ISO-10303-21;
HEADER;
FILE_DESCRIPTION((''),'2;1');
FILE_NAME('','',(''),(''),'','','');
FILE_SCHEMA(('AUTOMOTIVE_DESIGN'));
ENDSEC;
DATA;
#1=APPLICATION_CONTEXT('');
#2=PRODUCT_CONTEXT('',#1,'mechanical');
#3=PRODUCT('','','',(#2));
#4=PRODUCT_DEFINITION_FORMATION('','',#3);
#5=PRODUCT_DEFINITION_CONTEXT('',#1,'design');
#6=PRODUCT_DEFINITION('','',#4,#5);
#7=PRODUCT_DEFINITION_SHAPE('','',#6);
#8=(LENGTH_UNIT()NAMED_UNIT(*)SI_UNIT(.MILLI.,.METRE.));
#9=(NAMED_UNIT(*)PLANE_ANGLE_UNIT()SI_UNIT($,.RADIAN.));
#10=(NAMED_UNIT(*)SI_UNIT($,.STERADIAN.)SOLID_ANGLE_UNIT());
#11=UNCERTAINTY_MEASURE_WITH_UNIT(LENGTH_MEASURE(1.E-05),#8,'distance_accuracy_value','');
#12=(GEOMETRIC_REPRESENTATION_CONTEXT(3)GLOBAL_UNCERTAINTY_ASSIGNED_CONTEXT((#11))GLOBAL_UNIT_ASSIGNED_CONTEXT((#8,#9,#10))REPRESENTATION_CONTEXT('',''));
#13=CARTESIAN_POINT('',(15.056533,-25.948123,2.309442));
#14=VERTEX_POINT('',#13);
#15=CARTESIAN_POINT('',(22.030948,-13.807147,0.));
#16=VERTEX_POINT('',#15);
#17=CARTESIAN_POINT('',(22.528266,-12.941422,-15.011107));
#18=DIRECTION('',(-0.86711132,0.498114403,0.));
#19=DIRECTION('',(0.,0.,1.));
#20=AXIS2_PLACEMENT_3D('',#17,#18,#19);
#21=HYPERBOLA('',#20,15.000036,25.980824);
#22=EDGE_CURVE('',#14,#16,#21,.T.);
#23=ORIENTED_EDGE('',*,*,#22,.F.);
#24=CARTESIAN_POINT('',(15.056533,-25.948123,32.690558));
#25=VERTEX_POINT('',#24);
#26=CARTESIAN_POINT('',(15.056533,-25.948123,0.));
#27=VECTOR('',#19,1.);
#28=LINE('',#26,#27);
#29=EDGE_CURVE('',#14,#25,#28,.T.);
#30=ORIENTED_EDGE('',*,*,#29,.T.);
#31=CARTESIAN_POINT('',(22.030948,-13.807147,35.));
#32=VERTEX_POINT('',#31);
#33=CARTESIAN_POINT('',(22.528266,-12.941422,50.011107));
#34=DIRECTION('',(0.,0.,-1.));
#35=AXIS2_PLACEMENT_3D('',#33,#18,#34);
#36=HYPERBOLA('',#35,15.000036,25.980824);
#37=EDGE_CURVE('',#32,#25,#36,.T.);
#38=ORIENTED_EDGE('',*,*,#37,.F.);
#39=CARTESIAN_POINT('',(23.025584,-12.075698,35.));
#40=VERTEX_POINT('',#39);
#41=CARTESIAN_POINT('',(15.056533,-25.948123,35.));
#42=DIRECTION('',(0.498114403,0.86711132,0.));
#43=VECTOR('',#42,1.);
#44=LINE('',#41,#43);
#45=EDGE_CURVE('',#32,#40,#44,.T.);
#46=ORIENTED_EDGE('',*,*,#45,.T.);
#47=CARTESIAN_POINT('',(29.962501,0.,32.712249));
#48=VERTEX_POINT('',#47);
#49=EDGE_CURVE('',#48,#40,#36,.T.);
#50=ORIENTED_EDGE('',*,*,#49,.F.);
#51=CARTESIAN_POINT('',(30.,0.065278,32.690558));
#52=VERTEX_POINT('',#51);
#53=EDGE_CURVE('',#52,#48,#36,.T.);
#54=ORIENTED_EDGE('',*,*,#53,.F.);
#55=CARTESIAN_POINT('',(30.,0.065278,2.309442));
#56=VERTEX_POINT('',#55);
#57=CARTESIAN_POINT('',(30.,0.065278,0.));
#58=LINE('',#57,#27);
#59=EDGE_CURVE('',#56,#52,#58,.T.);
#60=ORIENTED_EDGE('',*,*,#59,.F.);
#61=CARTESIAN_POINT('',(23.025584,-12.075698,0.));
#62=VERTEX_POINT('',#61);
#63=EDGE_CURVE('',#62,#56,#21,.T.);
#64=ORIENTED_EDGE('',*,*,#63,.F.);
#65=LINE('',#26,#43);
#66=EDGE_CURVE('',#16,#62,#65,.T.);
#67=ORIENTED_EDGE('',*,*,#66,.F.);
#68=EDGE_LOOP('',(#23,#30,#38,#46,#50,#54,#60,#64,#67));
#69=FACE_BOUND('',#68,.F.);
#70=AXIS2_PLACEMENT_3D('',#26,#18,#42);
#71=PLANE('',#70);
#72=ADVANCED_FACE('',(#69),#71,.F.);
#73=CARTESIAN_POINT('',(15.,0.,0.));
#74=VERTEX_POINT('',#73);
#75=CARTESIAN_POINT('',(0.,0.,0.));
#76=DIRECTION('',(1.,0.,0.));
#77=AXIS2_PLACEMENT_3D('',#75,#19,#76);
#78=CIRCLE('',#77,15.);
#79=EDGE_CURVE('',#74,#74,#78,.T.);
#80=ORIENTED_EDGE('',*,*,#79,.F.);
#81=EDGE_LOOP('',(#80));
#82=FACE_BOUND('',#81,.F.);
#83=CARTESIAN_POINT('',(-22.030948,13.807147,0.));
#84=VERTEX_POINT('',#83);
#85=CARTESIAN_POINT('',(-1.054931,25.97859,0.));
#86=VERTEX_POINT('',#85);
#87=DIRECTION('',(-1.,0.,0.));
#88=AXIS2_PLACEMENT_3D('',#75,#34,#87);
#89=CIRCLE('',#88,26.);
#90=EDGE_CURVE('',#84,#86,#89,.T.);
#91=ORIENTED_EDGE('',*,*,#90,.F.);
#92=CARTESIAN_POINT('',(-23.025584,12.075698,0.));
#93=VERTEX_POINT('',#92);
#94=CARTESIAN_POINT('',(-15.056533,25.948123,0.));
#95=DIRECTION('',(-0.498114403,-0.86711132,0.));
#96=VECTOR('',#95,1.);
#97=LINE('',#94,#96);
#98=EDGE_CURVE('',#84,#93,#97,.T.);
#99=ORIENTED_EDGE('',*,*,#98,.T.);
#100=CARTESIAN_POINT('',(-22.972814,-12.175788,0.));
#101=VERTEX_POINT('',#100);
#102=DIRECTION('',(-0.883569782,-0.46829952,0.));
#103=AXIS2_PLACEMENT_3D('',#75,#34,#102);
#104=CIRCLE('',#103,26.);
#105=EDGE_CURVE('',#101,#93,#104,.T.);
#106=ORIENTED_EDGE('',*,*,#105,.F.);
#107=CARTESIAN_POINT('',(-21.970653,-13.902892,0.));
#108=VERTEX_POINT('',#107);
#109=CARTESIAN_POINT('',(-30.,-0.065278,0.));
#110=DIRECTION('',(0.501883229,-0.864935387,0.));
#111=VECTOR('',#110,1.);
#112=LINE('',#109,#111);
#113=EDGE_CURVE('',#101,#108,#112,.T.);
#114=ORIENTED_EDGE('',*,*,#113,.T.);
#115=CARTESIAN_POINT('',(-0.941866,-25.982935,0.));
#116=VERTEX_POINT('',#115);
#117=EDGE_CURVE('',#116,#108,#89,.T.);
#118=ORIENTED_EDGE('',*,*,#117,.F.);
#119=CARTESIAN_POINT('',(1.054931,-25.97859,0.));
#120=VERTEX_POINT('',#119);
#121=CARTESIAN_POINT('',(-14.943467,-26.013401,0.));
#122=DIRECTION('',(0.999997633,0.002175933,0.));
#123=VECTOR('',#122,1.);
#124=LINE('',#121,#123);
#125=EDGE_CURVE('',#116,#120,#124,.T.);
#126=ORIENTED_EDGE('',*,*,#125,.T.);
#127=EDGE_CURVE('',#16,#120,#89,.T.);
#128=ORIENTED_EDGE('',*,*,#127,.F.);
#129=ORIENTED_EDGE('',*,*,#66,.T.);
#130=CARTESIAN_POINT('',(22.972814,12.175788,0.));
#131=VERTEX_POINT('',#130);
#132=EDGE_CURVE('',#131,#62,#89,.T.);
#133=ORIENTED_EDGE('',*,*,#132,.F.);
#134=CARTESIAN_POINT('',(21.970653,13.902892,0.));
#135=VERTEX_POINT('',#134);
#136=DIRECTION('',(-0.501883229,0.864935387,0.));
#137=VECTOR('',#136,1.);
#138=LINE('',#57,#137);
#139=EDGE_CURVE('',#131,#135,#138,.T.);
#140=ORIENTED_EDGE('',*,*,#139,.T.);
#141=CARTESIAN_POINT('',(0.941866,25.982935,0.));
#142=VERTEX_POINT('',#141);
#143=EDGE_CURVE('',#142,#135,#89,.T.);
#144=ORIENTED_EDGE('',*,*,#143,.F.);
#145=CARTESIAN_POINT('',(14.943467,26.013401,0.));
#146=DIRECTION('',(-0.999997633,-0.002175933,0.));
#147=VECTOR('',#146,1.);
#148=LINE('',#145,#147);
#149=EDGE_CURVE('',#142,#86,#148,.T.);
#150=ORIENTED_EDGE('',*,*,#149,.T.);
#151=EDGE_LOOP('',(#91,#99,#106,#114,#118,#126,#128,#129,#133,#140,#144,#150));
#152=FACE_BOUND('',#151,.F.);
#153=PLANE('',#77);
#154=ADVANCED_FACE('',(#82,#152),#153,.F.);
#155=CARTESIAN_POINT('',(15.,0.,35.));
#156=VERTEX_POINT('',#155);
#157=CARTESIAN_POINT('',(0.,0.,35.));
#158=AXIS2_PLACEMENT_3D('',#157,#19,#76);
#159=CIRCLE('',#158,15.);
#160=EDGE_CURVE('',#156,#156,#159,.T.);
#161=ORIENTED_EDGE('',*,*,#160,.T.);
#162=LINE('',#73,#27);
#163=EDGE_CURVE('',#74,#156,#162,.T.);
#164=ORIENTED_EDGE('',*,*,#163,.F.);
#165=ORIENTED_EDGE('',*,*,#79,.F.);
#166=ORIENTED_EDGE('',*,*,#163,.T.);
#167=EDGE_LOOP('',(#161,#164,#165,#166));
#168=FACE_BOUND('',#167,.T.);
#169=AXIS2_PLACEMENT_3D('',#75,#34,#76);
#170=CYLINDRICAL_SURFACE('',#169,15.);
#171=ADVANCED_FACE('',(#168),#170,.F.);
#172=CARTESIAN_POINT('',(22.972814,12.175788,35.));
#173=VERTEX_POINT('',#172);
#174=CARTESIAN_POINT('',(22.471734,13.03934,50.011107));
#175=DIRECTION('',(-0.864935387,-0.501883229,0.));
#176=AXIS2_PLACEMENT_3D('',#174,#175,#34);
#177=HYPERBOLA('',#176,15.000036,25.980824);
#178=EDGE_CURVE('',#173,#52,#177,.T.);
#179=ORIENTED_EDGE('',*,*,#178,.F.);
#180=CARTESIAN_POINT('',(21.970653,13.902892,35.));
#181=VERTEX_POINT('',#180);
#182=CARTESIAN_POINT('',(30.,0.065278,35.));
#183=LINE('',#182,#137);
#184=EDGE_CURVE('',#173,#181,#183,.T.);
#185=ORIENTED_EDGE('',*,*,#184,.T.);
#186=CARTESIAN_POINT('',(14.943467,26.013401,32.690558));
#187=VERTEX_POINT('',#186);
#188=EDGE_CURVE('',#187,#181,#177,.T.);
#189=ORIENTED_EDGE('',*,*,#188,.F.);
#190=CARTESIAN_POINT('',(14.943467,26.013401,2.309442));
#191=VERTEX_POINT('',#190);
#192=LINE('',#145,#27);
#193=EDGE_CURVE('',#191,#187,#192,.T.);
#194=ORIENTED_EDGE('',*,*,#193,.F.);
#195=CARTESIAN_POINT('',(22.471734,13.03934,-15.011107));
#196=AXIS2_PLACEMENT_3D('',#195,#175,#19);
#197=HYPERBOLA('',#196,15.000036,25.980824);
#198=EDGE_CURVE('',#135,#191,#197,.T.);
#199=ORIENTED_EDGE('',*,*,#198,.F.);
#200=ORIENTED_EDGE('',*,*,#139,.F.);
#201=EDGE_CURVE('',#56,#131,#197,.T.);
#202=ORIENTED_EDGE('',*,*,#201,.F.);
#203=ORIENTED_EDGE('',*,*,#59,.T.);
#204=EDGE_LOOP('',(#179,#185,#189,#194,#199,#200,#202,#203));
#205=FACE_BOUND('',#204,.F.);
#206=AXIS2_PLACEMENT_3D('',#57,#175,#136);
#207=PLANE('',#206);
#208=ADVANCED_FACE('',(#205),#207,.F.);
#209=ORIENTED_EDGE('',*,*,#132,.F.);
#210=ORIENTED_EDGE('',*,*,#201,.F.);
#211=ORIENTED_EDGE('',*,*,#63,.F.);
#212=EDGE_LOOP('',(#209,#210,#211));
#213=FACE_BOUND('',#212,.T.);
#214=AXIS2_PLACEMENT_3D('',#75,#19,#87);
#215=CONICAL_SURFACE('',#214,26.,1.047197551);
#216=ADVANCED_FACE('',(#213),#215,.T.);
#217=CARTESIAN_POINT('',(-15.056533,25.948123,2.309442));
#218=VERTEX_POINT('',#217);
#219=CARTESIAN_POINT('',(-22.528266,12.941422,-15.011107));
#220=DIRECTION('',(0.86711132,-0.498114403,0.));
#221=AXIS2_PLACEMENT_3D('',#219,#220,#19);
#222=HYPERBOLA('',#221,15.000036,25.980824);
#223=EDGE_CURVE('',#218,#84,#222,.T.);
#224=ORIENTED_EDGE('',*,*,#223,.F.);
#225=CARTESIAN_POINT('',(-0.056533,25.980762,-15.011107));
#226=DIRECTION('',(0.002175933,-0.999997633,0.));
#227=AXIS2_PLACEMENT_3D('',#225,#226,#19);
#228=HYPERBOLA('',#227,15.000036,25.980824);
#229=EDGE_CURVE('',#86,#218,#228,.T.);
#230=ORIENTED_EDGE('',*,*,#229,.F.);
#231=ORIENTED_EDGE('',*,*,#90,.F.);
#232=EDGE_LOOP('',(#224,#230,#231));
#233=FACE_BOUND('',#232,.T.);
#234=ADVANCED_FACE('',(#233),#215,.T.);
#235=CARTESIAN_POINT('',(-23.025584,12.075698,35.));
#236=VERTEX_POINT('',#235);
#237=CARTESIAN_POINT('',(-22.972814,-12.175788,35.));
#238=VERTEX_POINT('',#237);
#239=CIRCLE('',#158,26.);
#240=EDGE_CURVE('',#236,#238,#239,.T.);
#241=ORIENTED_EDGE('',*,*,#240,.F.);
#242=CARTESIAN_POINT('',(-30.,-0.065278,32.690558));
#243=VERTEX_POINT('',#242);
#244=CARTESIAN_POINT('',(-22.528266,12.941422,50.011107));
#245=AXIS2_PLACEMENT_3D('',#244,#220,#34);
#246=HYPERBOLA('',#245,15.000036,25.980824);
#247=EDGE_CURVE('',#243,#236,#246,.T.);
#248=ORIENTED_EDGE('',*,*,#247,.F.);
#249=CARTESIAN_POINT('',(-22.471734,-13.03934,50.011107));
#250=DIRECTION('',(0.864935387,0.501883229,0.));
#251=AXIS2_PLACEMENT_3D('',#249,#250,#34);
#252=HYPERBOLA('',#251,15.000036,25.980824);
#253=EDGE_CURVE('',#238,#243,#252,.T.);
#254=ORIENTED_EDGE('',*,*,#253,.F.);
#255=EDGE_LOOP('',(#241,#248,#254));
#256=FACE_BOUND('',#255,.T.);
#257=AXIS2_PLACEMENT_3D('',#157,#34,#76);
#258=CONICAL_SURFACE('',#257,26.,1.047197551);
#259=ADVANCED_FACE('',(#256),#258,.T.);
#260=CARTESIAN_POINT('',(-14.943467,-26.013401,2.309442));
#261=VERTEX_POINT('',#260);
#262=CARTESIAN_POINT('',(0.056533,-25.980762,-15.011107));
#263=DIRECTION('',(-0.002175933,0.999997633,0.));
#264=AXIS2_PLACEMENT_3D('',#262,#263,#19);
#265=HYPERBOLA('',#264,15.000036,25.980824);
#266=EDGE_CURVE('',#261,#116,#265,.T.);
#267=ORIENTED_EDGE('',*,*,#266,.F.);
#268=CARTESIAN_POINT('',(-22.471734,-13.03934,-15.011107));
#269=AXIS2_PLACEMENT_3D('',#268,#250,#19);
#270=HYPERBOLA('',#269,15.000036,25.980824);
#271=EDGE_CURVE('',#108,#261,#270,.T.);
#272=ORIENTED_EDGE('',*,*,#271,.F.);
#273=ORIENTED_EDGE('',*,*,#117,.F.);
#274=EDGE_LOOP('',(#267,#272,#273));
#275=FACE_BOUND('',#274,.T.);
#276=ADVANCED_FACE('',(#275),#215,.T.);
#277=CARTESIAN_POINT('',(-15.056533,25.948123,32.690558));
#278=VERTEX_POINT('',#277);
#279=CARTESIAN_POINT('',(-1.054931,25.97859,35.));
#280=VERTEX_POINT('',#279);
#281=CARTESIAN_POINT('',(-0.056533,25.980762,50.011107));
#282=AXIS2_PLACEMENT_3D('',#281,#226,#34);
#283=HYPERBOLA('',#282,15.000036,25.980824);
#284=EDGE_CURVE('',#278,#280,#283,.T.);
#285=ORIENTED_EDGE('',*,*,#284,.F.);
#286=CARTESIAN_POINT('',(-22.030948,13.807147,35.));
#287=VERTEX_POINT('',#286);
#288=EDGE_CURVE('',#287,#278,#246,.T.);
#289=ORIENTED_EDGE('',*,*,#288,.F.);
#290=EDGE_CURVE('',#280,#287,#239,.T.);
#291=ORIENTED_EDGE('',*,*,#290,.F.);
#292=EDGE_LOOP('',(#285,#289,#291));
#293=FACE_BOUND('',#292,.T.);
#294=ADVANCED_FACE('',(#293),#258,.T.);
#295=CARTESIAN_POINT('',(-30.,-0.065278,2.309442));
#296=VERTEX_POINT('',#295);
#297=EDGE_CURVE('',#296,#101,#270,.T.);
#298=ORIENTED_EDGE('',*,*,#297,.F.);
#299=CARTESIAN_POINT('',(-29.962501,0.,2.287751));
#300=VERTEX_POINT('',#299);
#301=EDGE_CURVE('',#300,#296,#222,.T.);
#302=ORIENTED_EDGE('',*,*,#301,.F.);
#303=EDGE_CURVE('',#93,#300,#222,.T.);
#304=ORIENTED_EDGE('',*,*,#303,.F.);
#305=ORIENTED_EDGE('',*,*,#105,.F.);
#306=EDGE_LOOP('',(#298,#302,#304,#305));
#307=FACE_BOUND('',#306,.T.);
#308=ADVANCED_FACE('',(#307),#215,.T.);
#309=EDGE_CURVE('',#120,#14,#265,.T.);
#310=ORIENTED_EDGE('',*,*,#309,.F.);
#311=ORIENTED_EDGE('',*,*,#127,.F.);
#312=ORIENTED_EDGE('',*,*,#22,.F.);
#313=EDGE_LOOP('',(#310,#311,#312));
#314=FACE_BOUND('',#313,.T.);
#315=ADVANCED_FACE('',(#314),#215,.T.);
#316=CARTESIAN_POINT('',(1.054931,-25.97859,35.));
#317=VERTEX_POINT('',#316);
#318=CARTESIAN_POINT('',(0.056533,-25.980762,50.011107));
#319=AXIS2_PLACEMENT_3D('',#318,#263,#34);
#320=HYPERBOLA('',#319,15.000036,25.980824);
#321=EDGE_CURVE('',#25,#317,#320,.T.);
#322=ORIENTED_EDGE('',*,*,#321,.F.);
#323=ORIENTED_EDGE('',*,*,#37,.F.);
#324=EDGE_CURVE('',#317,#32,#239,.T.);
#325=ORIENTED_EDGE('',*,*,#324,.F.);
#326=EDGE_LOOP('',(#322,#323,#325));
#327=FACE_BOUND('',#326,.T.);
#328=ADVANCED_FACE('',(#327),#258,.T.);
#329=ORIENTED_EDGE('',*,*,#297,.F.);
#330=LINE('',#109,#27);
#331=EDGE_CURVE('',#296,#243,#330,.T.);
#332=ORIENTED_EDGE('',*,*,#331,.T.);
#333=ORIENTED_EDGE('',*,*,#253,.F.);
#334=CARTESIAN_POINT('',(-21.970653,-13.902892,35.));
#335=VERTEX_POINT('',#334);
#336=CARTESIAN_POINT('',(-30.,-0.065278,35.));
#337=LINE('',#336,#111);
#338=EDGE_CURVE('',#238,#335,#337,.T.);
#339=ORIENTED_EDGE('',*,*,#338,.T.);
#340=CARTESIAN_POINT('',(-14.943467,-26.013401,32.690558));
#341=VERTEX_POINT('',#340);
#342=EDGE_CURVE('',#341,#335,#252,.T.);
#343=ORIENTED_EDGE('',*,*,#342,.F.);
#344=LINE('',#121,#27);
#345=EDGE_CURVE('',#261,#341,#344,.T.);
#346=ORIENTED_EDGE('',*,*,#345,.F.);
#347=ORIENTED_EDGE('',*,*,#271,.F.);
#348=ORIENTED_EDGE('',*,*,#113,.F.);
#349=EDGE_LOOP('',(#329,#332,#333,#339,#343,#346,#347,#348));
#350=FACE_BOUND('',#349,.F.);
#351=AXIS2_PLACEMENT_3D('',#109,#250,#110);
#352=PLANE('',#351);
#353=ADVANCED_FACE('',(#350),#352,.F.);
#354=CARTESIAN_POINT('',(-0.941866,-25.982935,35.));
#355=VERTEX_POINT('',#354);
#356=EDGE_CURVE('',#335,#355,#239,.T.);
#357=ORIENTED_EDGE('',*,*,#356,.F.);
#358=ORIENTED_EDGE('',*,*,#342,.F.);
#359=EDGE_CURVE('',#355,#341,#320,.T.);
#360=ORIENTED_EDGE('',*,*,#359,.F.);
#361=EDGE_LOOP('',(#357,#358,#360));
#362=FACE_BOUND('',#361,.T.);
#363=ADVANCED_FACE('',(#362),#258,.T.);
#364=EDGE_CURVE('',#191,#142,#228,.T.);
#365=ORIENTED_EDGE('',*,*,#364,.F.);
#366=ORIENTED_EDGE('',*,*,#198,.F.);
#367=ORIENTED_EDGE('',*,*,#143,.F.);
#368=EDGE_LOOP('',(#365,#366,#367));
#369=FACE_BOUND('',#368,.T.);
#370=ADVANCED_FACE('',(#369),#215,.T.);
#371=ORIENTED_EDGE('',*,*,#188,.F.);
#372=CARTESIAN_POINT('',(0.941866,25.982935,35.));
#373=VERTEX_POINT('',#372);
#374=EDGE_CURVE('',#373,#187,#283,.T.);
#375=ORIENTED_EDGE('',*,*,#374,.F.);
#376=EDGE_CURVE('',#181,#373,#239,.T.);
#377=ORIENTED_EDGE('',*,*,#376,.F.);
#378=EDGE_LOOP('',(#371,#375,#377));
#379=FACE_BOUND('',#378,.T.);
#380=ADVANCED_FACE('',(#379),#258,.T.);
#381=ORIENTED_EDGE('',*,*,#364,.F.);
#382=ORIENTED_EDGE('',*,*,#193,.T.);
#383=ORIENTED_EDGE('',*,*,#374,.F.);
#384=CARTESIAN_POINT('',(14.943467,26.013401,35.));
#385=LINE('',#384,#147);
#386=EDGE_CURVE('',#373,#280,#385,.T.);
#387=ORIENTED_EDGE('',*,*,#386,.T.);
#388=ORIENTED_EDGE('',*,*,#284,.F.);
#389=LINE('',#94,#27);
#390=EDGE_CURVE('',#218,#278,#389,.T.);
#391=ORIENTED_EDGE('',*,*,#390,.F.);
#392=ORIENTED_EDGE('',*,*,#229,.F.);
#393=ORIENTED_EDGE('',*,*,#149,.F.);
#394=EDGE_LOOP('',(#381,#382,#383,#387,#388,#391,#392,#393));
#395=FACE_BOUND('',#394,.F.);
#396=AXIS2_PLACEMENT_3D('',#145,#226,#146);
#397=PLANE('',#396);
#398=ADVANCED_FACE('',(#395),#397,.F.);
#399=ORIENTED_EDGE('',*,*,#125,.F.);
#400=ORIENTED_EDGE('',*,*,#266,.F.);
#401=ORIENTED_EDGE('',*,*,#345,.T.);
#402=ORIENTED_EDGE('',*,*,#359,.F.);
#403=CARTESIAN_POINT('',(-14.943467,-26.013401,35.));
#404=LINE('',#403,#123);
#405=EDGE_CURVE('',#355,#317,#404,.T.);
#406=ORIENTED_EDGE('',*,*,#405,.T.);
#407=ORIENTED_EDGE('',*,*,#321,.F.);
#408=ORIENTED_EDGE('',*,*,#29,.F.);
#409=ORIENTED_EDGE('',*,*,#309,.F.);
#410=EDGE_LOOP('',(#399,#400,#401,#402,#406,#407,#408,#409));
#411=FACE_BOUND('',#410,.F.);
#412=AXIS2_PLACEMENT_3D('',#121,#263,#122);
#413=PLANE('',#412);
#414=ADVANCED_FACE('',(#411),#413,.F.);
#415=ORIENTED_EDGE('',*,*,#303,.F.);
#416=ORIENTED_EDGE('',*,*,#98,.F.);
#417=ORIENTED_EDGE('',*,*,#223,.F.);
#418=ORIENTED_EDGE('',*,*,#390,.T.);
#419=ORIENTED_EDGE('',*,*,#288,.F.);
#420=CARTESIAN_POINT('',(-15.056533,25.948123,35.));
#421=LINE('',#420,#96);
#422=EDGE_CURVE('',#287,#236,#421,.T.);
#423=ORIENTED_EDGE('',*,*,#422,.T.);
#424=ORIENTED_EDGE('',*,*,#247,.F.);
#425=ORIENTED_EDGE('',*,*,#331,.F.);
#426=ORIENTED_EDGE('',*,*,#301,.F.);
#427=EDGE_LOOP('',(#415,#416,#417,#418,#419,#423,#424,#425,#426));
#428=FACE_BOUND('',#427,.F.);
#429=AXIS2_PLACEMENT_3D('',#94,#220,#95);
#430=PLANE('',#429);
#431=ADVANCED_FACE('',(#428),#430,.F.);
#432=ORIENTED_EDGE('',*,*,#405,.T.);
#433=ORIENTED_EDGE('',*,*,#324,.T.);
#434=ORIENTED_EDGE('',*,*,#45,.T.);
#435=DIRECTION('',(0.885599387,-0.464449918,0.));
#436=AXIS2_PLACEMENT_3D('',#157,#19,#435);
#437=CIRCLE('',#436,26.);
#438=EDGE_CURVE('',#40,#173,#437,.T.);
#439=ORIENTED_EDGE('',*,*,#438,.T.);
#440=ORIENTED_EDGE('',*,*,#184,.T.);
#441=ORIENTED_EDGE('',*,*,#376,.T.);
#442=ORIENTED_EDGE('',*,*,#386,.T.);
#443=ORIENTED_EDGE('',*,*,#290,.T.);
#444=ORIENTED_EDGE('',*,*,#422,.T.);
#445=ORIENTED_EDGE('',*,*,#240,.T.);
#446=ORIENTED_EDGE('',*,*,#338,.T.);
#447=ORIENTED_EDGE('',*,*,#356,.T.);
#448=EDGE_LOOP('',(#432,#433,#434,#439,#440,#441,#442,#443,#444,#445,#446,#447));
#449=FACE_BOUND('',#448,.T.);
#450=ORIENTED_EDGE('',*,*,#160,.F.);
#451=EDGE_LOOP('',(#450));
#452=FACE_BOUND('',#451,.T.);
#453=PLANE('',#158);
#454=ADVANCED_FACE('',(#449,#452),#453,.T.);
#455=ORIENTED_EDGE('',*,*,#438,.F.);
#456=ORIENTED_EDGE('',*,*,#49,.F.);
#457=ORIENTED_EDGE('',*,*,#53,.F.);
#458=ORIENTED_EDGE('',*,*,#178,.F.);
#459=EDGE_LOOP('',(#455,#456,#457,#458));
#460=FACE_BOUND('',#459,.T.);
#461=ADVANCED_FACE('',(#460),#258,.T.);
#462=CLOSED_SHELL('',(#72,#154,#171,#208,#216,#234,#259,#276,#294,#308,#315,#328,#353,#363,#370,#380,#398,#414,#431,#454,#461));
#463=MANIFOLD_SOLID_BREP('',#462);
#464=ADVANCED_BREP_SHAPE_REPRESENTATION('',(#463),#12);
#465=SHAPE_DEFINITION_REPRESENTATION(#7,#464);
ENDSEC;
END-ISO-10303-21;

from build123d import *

# Parameters (mm, degrees)
SKETCH1_R           = 15
BOSS_EXTRUDE1_DEPTH = 35
SKETCH3_OUTSIDE_W   = 200.6
SKETCH3_OUTSIDE_H   = 192.626
SKETCH3_OUTSIDE_R   = 26
CUT_EXTRUDE1_DEPTH  = 35
CUT_EXTRUDE1_DRAFT  = -60
SKETCH4_OUTSIDE_W   = 200.6
SKETCH4_OUTSIDE_H   = 192.626
SKETCH4_OUTSIDE_R   = 26
CUT_EXTRUDE2_DEPTH  = 35
CUT_EXTRUDE2_DRAFT  = -60


with BuildPart() as part:
    # Sketch1 → Boss-Extrude1 (new body)
    with BuildSketch(Plane.XY):
        Polygon((14.943467474, 26.013401183), (-15.056532526, 25.948123045), (-30, -0.065278138), (-14.943467474, -26.013401183), (15.056532526, -25.948123045), (30, 0.065278138), align=None)
        Circle(SKETCH1_R, mode=Mode.SUBTRACT)
    extrude(amount=BOSS_EXTRUDE1_DEPTH)


with BuildPart() as cut_extrude1_tool:
    # Sketch3 outside → Cut-Extrude1 (with draft: the straight prism first)
    with BuildSketch(Plane(origin=(0, 0, 0), x_dir=(-1, 0, 0), z_dir=(0, 0, -1))):
        Rectangle(SKETCH3_OUTSIDE_W, SKETCH3_OUTSIDE_H)
        Circle(SKETCH3_OUTSIDE_R, mode=Mode.SUBTRACT)
    extrude(amount=-CUT_EXTRUDE1_DEPTH)
    # Cut-Extrude1: the draft: its side faces are tilted about the plane it starts from
    cut_extrude1_sides = [cut_extrude1_tool.faces().sort_by_distance(p)[0] for p in [
        (0, -96.313, 17.5),
        (-100.3, 0, 17.5),
        (0, 96.313, 17.5),
        (100.3, 0, 17.5),
        (26, 0, 17.5),
    ]]
    draft(cut_extrude1_sides, Plane(origin=(0, 0, 0), x_dir=(-1, 0, 0), z_dir=(0, 0, -1)), CUT_EXTRUDE1_DRAFT)


with BuildPart() as part_1:
    add(part.part)

    # Cut-Extrude1: cut by cut_extrude1_tool
    add(cut_extrude1_tool.part, mode=Mode.SUBTRACT)


with BuildPart() as cut_extrude2_tool:
    # Sketch4 outside → Cut-Extrude2 (with draft: the straight prism first)
    with BuildSketch(Plane.XY.offset(35)):
        Rectangle(SKETCH4_OUTSIDE_W, SKETCH4_OUTSIDE_H)
        Circle(SKETCH4_OUTSIDE_R, mode=Mode.SUBTRACT)
    extrude(amount=-CUT_EXTRUDE2_DEPTH)
    # Cut-Extrude2: the draft: its side faces are tilted about the plane it starts from
    cut_extrude2_sides = [cut_extrude2_tool.faces().sort_by_distance(p)[0] for p in [
        (0, -96.313, 17.5),
        (100.3, 0, 17.5),
        (0, 96.313, 17.5),
        (-100.3, 0, 17.5),
        (-26, 0, 17.5),
    ]]
    draft(cut_extrude2_sides, Plane.XY.offset(35), CUT_EXTRUDE2_DRAFT)


with BuildPart() as part_2:
    add(part_1.part)

    # Cut-Extrude2: cut by cut_extrude2_tool
    add(cut_extrude2_tool.part, mode=Mode.SUBTRACT)


solid = part_2.part
